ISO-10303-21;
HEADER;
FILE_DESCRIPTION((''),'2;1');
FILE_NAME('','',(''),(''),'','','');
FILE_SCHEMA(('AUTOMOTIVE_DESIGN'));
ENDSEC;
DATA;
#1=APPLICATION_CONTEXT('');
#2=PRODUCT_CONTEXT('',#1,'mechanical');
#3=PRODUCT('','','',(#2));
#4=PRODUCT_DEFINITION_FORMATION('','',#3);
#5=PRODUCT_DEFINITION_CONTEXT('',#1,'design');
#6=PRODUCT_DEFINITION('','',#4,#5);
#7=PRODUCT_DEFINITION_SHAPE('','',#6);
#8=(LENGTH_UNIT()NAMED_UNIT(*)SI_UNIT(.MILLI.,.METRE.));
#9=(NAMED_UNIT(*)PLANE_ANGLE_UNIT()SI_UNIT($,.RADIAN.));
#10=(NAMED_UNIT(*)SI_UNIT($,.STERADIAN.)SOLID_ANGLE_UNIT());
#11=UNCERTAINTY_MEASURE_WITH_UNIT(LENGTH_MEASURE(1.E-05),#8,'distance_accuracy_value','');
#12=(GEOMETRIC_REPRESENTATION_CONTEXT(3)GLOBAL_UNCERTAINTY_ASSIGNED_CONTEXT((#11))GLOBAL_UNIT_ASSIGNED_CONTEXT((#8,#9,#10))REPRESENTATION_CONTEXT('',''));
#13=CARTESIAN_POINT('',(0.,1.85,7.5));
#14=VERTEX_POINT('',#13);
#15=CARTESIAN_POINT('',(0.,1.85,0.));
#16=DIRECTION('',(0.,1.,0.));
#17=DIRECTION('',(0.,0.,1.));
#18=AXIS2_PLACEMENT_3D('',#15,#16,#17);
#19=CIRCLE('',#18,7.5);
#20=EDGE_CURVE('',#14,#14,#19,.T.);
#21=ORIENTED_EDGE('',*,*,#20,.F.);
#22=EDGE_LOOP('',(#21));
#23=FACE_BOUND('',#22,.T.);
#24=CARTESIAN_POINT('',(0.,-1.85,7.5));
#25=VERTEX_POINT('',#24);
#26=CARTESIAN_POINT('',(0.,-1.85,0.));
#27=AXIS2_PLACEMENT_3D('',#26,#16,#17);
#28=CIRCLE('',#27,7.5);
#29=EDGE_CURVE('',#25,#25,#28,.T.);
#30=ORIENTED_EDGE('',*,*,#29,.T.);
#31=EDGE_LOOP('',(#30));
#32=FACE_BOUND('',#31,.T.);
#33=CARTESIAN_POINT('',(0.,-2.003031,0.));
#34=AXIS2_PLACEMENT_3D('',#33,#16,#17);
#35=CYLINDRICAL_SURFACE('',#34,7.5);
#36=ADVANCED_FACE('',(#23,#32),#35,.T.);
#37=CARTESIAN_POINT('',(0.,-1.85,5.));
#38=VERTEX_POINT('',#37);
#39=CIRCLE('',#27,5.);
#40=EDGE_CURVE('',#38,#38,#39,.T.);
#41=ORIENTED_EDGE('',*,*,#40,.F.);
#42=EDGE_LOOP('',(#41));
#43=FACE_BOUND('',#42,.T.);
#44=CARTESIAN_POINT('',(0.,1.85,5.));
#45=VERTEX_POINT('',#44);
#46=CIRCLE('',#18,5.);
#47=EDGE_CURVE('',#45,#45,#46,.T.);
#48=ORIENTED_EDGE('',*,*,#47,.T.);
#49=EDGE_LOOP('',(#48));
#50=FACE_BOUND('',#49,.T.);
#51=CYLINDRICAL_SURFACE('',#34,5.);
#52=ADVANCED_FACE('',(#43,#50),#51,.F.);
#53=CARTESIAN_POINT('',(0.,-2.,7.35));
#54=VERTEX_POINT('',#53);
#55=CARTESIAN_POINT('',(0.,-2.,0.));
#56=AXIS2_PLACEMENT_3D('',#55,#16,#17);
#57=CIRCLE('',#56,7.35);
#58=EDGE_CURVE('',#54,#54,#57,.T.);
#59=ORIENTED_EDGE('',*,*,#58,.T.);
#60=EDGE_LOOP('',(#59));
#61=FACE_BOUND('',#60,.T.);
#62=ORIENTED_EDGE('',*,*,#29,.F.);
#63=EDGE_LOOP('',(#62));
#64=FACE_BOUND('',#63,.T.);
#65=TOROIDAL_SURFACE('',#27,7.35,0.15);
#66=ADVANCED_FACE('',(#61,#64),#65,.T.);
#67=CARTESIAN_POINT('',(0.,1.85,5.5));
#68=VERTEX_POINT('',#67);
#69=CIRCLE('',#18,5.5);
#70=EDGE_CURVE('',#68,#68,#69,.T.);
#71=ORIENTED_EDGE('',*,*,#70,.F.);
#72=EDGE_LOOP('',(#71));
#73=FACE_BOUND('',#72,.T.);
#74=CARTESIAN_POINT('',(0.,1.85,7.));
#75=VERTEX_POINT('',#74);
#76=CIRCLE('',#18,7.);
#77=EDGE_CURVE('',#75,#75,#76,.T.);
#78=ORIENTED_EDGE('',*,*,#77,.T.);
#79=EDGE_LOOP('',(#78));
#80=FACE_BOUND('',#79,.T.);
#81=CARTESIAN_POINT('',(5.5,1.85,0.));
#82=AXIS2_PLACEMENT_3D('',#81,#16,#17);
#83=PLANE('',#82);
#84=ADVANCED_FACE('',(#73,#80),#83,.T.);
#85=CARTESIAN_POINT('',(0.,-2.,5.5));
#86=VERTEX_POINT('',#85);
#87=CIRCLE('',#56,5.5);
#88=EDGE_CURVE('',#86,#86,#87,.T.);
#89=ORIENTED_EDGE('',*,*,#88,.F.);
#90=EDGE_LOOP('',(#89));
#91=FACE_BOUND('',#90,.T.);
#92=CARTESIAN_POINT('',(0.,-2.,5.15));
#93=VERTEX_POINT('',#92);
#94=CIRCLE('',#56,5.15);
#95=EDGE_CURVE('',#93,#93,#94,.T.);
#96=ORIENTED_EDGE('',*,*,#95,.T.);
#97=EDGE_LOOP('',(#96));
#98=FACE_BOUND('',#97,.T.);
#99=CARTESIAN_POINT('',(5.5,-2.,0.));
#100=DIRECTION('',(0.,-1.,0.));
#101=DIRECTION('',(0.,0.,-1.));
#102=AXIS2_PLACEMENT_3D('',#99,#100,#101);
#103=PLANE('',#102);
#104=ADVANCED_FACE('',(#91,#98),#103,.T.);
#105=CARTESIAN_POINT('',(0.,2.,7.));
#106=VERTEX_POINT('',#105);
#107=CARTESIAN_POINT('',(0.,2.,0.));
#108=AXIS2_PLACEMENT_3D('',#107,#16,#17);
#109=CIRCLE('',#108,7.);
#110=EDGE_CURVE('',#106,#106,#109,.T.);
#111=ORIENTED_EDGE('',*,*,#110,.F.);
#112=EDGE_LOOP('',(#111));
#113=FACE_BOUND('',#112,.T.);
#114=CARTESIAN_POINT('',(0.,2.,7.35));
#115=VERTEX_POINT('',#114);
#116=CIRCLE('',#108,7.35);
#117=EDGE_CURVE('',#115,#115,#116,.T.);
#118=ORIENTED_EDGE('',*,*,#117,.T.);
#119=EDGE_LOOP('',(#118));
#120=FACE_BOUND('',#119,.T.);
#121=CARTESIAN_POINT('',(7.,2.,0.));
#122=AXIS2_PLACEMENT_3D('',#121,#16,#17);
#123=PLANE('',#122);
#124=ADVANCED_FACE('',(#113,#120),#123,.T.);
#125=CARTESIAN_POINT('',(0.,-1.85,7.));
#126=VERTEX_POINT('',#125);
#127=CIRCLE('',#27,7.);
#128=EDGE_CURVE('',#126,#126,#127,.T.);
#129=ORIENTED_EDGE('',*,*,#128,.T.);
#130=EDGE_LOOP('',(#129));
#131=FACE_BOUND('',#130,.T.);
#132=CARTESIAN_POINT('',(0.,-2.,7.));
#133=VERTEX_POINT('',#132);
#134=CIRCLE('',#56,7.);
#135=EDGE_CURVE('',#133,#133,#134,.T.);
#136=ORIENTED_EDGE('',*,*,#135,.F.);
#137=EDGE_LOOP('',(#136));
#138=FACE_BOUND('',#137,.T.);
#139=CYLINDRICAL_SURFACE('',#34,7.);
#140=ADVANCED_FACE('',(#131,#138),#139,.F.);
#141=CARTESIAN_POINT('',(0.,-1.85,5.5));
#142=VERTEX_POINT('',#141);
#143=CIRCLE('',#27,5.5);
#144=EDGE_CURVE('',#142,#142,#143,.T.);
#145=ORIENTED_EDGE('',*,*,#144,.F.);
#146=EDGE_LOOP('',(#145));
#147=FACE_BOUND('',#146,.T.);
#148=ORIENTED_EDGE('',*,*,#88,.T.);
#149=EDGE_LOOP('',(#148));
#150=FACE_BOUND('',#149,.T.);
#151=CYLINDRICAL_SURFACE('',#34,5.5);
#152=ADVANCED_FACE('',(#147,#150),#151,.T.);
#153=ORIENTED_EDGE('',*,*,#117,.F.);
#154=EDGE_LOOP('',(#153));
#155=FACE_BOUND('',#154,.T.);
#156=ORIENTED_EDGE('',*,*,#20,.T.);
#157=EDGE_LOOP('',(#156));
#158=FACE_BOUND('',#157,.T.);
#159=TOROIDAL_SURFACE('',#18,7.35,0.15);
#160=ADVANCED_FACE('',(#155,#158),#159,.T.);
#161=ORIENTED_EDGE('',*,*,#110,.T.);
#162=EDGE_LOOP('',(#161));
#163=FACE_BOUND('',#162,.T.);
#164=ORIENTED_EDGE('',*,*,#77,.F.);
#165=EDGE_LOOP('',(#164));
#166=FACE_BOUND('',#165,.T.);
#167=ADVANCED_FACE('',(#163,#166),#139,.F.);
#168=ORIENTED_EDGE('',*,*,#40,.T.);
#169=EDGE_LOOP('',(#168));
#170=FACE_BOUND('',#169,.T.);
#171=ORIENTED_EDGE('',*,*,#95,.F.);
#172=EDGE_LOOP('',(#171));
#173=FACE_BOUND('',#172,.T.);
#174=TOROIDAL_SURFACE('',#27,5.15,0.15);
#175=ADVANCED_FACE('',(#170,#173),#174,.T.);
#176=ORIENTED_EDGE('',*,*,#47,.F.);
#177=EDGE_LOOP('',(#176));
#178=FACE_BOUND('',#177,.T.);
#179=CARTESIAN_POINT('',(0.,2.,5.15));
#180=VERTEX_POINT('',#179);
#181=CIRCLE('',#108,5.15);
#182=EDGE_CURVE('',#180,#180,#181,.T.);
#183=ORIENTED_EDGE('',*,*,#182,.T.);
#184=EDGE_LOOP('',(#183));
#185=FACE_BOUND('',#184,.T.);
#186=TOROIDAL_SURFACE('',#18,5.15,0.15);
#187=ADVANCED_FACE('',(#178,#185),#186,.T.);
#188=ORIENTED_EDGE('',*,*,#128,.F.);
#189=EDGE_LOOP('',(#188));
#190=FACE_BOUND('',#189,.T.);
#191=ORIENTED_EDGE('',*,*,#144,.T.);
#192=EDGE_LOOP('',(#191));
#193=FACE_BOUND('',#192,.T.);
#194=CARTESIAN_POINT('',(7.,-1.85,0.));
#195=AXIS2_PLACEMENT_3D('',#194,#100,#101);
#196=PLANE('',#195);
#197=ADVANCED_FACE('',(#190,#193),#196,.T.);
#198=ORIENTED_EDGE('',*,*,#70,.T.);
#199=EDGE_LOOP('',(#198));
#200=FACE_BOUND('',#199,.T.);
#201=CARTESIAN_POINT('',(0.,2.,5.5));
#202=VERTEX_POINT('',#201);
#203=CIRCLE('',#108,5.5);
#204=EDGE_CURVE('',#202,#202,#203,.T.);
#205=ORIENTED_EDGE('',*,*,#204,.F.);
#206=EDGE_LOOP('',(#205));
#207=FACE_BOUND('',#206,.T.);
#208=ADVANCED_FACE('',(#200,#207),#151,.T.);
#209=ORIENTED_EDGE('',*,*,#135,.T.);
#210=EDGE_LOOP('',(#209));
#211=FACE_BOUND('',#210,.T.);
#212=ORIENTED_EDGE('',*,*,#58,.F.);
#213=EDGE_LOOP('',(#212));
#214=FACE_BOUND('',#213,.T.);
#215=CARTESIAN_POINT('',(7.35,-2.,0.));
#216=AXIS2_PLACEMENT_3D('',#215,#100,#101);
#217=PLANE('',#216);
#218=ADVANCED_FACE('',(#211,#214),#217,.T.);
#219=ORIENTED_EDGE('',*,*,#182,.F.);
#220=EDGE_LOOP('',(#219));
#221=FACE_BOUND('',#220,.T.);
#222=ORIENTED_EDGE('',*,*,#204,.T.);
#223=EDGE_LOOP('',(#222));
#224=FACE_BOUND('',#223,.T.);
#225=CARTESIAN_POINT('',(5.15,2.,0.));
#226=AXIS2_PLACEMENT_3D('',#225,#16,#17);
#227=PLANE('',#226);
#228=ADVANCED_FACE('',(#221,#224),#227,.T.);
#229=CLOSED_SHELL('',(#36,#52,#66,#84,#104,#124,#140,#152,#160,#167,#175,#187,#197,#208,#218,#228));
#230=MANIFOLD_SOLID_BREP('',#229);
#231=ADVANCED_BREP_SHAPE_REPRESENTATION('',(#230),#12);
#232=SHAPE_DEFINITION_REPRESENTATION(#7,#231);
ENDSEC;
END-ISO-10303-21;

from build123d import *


with BuildPart() as part:
    # Esquisse1 → Révolution1 (revolve)
    with BuildSketch(Plane(origin=(0, 0, 0), x_dir=(-1, 0, 0), z_dir=(0, 0, -1)), mode=Mode.PRIVATE) as r_volution1_sk:
        with BuildLine():
            Line((-5, -1.85), (-5, 1.85))
            ThreePointArc((-5, 1.85), (-5.043933983, 1.956066017), (-5.15, 2))
            Line((-5.15, 2), (-5.5, 2))
            Line((-5.5, 2), (-5.5, 1.85))
            Line((-5.5, 1.85), (-7, 1.85))
            Line((-7, 1.85), (-7, 2))
            Line((-7, 2), (-7.35, 2))
            ThreePointArc((-7.35, 2), (-7.456066017, 1.956066017), (-7.5, 1.85))
            Line((-7.5, 1.85), (-7.5, -1.85))
            ThreePointArc((-7.5, -1.85), (-7.456066017, -1.956066017), (-7.35, -2))
            Line((-7.35, -2), (-7, -2))
            Line((-7, -2), (-7, -1.85))
            Line((-7, -1.85), (-5.5, -1.85))
            Line((-5.5, -1.85), (-5.5, -2))
            Line((-5.5, -2), (-5.15, -2))
            ThreePointArc((-5.15, -2), (-5.043933983, -1.956066017), (-5, -1.85))
        make_face()
    revolve(r_volution1_sk.sketch.rotate(Axis((0, -2.003031087, 0), (0, 1, 0)), 270), axis=Axis((0, -2.003031087, 0), (0, 1, 0)))


solid = part.part
